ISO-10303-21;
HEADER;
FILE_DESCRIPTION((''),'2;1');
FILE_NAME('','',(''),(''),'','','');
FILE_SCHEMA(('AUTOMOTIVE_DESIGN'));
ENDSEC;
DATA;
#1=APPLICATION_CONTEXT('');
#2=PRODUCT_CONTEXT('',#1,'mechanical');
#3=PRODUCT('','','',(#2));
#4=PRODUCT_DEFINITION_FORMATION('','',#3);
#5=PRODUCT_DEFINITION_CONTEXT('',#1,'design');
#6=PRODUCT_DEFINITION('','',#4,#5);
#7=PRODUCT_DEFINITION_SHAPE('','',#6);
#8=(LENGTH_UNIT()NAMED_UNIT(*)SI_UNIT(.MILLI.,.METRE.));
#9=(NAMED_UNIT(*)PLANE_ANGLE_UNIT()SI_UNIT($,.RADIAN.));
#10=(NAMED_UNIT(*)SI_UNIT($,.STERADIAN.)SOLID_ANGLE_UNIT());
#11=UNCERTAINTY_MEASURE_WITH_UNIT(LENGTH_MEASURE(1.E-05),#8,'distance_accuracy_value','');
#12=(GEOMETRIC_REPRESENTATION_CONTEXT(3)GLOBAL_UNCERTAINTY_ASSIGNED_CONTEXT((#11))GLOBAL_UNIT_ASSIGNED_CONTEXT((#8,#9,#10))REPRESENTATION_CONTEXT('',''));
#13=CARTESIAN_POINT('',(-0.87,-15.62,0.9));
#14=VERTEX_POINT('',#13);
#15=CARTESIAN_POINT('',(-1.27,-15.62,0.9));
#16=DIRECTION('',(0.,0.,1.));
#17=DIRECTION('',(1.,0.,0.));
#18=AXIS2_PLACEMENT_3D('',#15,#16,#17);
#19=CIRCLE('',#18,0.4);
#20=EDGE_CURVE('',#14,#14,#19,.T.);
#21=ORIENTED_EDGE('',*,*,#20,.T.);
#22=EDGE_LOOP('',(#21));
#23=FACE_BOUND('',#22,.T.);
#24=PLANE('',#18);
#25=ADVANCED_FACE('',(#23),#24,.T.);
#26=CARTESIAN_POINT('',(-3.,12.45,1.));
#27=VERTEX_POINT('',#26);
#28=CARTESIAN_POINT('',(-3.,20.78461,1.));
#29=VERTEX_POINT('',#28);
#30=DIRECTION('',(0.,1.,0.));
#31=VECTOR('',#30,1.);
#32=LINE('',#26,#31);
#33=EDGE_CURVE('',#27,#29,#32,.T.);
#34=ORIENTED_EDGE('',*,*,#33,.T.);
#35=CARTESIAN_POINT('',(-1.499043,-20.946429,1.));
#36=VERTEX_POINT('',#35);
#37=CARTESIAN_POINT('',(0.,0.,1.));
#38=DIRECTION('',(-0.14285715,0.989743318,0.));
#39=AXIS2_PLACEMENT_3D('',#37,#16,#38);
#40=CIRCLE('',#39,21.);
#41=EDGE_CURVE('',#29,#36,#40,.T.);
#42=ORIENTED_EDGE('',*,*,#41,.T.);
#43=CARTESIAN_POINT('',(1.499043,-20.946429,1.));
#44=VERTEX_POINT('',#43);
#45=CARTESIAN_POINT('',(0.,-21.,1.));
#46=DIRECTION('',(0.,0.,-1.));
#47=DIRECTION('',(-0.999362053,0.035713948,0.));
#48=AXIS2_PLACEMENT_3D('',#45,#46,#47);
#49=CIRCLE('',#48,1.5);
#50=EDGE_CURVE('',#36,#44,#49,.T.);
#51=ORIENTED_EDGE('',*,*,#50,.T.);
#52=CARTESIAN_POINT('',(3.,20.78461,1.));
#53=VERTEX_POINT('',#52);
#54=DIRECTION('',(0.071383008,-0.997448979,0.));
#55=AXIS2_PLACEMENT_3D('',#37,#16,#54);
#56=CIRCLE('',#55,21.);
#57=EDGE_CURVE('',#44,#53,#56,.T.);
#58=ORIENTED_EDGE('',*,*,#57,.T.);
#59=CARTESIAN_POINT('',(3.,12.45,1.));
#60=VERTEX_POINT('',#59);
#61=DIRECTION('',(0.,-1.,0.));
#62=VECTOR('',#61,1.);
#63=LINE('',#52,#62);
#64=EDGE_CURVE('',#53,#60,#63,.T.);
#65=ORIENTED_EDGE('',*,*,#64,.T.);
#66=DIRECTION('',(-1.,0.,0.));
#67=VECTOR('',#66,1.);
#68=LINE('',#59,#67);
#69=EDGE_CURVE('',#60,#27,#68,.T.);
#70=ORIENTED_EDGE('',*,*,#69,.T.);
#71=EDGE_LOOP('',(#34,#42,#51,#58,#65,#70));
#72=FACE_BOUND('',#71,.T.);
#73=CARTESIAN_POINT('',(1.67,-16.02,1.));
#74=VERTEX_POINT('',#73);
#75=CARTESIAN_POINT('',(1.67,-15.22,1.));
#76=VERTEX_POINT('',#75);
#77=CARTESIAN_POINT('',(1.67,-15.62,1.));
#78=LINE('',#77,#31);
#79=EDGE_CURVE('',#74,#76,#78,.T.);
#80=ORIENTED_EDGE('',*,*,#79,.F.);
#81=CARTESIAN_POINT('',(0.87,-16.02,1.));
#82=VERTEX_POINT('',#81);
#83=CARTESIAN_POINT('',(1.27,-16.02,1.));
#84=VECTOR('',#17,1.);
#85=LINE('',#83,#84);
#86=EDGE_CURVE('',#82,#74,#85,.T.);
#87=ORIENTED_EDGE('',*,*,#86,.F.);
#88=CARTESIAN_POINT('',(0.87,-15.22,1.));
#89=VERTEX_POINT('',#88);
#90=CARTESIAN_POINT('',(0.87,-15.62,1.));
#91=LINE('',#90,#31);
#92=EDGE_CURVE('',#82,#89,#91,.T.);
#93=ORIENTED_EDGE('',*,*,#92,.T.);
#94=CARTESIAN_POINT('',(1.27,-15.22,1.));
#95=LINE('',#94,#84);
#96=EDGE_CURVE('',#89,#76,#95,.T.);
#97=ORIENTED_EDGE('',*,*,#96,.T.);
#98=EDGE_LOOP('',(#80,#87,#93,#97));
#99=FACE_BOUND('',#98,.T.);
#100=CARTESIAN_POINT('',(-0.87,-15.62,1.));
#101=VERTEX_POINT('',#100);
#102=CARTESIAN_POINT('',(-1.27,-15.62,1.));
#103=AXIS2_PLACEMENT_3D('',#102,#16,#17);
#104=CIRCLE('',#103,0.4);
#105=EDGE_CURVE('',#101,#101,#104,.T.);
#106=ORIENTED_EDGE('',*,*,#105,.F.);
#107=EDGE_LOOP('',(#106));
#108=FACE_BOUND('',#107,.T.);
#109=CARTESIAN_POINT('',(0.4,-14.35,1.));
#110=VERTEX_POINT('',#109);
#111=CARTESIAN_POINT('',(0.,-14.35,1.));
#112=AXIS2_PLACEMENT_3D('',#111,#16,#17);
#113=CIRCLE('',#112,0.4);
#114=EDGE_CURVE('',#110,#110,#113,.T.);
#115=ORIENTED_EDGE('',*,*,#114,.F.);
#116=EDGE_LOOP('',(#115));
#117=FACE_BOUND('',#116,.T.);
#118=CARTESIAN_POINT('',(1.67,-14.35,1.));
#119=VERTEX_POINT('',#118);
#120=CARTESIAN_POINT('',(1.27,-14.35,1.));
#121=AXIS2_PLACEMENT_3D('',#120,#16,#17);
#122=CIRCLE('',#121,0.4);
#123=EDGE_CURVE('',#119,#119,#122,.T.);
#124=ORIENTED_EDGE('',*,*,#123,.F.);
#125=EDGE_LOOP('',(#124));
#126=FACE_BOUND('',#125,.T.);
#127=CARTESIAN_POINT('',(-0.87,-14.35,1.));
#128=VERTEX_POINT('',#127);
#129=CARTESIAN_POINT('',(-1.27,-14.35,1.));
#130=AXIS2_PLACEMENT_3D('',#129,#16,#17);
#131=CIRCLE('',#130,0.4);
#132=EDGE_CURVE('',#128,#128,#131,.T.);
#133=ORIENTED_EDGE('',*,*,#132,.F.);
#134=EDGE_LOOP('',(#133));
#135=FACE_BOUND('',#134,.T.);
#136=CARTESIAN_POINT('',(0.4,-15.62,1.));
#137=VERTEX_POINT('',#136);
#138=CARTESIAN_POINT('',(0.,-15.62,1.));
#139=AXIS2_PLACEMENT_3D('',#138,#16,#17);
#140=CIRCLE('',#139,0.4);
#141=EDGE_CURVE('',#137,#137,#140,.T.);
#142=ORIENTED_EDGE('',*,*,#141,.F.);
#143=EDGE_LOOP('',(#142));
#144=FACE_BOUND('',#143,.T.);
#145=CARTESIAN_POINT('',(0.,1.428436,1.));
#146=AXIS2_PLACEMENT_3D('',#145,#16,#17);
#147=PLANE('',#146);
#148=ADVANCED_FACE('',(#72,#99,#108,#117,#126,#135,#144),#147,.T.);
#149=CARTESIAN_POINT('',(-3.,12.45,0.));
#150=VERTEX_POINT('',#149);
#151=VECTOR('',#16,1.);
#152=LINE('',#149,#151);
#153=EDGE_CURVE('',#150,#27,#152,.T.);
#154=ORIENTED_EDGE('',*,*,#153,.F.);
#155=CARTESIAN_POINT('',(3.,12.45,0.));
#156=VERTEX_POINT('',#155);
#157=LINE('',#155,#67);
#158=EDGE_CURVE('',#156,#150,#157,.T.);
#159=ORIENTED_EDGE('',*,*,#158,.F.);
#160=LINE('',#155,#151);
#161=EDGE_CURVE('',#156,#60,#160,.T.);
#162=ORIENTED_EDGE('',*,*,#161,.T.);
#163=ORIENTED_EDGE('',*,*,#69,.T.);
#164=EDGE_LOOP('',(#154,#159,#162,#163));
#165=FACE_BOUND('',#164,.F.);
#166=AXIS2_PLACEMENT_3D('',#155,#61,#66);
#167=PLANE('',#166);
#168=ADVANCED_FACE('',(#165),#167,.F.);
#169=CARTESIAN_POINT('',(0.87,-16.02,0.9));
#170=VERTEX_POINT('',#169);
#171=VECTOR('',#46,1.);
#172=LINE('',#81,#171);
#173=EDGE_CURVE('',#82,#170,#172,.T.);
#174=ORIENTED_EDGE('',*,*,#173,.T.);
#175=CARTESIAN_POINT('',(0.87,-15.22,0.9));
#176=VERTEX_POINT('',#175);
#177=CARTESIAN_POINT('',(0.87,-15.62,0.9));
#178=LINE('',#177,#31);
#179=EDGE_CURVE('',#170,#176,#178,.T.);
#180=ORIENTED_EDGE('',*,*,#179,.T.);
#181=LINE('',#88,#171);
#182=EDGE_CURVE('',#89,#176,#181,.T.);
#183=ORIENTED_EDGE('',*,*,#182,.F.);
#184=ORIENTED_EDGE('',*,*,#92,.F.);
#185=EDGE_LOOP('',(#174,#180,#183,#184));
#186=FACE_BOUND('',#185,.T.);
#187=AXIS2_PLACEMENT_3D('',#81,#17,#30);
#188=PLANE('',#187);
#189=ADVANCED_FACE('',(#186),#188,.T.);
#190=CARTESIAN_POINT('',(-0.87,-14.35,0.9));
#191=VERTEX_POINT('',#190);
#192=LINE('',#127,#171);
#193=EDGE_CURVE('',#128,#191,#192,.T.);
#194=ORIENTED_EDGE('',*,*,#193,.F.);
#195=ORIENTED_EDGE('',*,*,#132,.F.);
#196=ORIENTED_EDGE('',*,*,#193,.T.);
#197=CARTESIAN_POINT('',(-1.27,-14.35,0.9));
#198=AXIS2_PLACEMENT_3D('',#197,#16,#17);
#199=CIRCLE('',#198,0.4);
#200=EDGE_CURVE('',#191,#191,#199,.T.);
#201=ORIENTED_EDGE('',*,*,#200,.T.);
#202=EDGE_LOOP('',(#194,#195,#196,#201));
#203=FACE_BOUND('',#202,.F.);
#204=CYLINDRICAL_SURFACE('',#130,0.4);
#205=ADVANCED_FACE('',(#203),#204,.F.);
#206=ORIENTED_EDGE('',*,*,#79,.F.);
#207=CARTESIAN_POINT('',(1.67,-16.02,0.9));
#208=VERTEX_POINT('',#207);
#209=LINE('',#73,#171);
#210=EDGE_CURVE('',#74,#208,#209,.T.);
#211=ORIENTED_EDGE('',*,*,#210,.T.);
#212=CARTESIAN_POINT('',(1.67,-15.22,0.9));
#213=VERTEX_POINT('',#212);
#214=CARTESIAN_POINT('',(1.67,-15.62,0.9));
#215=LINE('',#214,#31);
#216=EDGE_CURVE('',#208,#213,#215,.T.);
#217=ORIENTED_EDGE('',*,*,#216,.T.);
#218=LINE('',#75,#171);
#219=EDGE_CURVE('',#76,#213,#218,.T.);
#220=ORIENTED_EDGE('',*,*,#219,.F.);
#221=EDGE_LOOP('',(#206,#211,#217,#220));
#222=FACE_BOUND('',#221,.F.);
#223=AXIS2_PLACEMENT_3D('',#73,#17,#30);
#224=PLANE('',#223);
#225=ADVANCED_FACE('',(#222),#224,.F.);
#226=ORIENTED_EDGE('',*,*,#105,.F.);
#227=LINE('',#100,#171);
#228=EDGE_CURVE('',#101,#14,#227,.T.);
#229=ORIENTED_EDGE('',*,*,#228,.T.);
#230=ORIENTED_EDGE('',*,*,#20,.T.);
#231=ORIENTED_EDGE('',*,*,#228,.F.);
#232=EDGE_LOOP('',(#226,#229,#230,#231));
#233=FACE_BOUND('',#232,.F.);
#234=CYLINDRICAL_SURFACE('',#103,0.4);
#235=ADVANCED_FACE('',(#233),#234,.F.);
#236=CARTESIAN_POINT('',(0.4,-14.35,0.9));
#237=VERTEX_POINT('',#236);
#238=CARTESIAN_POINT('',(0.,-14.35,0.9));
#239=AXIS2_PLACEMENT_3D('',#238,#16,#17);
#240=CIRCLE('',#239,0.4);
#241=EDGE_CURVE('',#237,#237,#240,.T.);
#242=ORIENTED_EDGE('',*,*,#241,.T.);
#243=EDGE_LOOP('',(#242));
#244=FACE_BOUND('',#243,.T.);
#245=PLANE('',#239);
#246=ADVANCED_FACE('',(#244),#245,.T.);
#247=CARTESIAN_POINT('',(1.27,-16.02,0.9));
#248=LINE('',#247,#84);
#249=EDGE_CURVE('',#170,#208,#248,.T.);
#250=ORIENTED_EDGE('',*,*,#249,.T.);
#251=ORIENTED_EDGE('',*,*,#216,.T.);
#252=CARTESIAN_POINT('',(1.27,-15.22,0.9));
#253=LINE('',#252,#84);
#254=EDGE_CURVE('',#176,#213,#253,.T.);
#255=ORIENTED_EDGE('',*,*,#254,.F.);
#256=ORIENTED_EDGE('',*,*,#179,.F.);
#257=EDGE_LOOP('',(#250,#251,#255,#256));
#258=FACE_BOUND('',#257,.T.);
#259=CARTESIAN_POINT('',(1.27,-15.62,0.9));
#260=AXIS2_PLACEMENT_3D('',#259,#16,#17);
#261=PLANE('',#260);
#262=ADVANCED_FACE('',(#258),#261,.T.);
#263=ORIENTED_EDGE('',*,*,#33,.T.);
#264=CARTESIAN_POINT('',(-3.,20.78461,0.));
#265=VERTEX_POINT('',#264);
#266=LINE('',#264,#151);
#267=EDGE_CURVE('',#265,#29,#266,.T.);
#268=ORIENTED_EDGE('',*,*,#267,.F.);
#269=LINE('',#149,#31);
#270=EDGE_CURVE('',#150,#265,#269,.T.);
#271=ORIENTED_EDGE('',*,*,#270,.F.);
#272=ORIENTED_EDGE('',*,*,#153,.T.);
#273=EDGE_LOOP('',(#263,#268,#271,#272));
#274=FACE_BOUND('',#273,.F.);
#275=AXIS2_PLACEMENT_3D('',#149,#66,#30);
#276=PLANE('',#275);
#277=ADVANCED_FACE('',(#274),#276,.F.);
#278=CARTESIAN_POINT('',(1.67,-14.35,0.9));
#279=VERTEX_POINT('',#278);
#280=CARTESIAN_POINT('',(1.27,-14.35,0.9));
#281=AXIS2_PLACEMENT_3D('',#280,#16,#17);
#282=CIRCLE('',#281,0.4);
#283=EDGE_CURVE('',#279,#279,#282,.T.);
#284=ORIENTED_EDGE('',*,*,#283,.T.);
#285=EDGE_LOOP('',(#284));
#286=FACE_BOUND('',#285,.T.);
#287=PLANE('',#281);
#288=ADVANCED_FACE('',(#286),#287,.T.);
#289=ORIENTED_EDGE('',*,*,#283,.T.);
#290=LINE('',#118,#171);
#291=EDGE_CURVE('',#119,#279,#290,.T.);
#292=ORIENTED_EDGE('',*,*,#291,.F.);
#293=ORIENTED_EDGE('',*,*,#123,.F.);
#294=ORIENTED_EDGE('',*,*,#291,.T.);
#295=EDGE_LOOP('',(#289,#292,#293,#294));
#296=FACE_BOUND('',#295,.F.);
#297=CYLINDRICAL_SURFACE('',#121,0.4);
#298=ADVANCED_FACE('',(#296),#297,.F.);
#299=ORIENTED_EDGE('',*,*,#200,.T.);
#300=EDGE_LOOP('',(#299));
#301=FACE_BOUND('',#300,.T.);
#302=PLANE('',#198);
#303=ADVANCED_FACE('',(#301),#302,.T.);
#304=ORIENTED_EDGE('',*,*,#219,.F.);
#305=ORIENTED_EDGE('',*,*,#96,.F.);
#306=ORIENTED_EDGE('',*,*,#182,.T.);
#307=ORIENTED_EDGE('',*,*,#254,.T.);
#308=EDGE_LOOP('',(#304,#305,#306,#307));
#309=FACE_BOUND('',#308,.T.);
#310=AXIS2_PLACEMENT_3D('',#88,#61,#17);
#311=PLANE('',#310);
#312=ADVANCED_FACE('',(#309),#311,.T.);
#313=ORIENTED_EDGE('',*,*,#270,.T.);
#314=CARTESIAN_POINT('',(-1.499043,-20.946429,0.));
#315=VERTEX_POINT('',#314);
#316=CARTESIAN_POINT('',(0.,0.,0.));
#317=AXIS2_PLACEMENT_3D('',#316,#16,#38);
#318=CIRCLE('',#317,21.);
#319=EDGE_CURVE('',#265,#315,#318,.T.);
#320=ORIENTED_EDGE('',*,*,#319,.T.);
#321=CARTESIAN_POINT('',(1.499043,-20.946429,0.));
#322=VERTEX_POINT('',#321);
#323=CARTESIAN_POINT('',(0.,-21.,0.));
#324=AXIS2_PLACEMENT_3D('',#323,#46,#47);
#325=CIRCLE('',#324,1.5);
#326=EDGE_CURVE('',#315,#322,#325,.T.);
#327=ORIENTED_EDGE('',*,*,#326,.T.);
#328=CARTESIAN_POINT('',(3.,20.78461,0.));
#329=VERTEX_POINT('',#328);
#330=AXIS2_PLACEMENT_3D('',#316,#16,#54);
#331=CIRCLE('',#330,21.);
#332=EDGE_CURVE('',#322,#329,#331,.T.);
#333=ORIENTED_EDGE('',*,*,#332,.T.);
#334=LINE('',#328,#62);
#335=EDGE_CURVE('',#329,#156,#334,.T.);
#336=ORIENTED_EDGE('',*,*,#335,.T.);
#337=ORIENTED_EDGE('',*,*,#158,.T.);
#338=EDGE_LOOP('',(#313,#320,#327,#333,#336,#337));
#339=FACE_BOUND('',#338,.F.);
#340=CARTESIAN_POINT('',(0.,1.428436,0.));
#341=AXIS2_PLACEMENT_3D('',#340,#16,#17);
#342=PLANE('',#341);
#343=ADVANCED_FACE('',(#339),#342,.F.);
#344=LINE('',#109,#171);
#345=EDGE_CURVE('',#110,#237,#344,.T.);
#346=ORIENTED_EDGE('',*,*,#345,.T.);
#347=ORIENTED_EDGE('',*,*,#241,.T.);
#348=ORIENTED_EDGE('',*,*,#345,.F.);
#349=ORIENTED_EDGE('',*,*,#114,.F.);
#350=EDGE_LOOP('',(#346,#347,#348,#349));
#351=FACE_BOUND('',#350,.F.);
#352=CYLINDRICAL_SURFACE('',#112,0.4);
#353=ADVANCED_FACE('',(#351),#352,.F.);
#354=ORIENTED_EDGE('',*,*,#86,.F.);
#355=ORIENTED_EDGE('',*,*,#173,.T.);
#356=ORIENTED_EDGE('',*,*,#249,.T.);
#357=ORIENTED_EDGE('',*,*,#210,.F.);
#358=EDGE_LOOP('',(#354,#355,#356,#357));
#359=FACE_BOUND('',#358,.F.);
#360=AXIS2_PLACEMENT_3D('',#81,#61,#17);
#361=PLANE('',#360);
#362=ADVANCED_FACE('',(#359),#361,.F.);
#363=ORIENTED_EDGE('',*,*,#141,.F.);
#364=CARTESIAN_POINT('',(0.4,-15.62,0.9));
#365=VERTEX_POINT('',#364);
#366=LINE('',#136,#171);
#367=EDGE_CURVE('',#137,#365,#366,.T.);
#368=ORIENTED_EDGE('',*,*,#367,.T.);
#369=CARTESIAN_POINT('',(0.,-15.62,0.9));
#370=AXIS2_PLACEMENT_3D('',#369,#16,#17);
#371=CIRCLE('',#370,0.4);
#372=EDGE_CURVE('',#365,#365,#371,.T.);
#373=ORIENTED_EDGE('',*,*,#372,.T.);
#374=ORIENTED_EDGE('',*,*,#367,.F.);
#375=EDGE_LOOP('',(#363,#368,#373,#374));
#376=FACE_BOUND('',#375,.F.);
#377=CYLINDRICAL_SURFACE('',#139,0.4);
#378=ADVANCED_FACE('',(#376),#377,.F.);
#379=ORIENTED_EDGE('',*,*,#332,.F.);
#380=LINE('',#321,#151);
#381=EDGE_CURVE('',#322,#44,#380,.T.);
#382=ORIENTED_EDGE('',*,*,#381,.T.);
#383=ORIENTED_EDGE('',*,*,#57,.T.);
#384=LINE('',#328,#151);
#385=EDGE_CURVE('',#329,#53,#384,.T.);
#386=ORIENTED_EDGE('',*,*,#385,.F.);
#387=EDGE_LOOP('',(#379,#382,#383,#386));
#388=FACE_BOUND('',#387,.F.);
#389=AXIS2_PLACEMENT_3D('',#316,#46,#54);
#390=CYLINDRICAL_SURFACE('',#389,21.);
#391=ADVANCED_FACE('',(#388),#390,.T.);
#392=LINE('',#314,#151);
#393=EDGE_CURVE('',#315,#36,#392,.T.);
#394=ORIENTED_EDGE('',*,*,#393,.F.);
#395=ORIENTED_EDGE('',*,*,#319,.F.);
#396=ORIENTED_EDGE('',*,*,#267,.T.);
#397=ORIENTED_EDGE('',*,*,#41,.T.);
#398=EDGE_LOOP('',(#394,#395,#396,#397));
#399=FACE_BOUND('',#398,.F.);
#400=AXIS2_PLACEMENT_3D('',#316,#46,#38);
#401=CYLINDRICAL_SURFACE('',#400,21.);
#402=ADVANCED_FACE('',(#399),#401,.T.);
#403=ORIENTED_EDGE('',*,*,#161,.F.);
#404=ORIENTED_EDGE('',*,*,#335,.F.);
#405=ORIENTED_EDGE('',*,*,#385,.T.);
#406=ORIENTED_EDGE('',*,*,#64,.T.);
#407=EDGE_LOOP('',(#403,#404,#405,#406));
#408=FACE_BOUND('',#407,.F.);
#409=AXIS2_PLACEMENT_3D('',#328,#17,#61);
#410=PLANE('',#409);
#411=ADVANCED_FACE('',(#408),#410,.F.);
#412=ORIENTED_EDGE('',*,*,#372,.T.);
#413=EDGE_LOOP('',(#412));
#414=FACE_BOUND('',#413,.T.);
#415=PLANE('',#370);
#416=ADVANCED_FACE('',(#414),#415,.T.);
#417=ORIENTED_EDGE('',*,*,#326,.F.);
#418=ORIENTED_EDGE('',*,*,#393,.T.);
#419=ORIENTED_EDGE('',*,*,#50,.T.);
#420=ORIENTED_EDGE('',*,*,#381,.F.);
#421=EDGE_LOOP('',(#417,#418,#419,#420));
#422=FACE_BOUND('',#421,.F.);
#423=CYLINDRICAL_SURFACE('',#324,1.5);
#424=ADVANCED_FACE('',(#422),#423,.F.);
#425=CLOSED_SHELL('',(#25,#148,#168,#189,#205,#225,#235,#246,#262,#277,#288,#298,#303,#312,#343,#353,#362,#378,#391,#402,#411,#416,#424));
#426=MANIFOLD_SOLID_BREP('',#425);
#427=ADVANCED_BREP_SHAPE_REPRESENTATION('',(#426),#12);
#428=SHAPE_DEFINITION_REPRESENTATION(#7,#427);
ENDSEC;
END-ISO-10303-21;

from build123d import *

# Parameters (mm, degrees)
F1_DEPTH = 1
F3_R     = 0.4
F3_W     = 0.8
F3_H     = 0.8
F4_DEPTH = 0.1


with BuildPart() as f1:
    # F0 (on Top) → F1 (new body)
    with BuildSketch(Plane.XY):
        with BuildLine():
            ThreePointArc((-1.499043, -20.946429), (0, -19.5), (1.499043, -20.946429))
            ThreePointArc((1.499043, -20.946429), (20.98643, -0.754827), (3, 20.78461))
            Line((3, 20.78461), (3, 12.45))
            Line((3, 12.45), (-3, 12.45))
            Line((-3, 12.45), (-3, 20.78461))
            ThreePointArc((-3, 20.78461), (-20.98643, -0.754827), (-1.499043, -20.946429))
        make_face()
    extrude(amount=F1_DEPTH)

    # F3 (on face) → F4 (cut)
    with BuildSketch(Plane.XY.offset(1)):
        with Locations((0, -15.62)):
            Circle(F3_R)
        with Locations((-1.27, -15.62)):
            Circle(F3_R)
        with Locations((1.27, -14.35)):
            Circle(F3_R)
        with Locations((0, -14.35)):
            Circle(F3_R)
        with Locations((-1.27, -14.35)):
            Circle(F3_R)
        with Locations((1.27, -15.62)):
            Rectangle(F3_W, F3_H)
    extrude(amount=-F4_DEPTH, mode=Mode.SUBTRACT)


solid = f1.part
